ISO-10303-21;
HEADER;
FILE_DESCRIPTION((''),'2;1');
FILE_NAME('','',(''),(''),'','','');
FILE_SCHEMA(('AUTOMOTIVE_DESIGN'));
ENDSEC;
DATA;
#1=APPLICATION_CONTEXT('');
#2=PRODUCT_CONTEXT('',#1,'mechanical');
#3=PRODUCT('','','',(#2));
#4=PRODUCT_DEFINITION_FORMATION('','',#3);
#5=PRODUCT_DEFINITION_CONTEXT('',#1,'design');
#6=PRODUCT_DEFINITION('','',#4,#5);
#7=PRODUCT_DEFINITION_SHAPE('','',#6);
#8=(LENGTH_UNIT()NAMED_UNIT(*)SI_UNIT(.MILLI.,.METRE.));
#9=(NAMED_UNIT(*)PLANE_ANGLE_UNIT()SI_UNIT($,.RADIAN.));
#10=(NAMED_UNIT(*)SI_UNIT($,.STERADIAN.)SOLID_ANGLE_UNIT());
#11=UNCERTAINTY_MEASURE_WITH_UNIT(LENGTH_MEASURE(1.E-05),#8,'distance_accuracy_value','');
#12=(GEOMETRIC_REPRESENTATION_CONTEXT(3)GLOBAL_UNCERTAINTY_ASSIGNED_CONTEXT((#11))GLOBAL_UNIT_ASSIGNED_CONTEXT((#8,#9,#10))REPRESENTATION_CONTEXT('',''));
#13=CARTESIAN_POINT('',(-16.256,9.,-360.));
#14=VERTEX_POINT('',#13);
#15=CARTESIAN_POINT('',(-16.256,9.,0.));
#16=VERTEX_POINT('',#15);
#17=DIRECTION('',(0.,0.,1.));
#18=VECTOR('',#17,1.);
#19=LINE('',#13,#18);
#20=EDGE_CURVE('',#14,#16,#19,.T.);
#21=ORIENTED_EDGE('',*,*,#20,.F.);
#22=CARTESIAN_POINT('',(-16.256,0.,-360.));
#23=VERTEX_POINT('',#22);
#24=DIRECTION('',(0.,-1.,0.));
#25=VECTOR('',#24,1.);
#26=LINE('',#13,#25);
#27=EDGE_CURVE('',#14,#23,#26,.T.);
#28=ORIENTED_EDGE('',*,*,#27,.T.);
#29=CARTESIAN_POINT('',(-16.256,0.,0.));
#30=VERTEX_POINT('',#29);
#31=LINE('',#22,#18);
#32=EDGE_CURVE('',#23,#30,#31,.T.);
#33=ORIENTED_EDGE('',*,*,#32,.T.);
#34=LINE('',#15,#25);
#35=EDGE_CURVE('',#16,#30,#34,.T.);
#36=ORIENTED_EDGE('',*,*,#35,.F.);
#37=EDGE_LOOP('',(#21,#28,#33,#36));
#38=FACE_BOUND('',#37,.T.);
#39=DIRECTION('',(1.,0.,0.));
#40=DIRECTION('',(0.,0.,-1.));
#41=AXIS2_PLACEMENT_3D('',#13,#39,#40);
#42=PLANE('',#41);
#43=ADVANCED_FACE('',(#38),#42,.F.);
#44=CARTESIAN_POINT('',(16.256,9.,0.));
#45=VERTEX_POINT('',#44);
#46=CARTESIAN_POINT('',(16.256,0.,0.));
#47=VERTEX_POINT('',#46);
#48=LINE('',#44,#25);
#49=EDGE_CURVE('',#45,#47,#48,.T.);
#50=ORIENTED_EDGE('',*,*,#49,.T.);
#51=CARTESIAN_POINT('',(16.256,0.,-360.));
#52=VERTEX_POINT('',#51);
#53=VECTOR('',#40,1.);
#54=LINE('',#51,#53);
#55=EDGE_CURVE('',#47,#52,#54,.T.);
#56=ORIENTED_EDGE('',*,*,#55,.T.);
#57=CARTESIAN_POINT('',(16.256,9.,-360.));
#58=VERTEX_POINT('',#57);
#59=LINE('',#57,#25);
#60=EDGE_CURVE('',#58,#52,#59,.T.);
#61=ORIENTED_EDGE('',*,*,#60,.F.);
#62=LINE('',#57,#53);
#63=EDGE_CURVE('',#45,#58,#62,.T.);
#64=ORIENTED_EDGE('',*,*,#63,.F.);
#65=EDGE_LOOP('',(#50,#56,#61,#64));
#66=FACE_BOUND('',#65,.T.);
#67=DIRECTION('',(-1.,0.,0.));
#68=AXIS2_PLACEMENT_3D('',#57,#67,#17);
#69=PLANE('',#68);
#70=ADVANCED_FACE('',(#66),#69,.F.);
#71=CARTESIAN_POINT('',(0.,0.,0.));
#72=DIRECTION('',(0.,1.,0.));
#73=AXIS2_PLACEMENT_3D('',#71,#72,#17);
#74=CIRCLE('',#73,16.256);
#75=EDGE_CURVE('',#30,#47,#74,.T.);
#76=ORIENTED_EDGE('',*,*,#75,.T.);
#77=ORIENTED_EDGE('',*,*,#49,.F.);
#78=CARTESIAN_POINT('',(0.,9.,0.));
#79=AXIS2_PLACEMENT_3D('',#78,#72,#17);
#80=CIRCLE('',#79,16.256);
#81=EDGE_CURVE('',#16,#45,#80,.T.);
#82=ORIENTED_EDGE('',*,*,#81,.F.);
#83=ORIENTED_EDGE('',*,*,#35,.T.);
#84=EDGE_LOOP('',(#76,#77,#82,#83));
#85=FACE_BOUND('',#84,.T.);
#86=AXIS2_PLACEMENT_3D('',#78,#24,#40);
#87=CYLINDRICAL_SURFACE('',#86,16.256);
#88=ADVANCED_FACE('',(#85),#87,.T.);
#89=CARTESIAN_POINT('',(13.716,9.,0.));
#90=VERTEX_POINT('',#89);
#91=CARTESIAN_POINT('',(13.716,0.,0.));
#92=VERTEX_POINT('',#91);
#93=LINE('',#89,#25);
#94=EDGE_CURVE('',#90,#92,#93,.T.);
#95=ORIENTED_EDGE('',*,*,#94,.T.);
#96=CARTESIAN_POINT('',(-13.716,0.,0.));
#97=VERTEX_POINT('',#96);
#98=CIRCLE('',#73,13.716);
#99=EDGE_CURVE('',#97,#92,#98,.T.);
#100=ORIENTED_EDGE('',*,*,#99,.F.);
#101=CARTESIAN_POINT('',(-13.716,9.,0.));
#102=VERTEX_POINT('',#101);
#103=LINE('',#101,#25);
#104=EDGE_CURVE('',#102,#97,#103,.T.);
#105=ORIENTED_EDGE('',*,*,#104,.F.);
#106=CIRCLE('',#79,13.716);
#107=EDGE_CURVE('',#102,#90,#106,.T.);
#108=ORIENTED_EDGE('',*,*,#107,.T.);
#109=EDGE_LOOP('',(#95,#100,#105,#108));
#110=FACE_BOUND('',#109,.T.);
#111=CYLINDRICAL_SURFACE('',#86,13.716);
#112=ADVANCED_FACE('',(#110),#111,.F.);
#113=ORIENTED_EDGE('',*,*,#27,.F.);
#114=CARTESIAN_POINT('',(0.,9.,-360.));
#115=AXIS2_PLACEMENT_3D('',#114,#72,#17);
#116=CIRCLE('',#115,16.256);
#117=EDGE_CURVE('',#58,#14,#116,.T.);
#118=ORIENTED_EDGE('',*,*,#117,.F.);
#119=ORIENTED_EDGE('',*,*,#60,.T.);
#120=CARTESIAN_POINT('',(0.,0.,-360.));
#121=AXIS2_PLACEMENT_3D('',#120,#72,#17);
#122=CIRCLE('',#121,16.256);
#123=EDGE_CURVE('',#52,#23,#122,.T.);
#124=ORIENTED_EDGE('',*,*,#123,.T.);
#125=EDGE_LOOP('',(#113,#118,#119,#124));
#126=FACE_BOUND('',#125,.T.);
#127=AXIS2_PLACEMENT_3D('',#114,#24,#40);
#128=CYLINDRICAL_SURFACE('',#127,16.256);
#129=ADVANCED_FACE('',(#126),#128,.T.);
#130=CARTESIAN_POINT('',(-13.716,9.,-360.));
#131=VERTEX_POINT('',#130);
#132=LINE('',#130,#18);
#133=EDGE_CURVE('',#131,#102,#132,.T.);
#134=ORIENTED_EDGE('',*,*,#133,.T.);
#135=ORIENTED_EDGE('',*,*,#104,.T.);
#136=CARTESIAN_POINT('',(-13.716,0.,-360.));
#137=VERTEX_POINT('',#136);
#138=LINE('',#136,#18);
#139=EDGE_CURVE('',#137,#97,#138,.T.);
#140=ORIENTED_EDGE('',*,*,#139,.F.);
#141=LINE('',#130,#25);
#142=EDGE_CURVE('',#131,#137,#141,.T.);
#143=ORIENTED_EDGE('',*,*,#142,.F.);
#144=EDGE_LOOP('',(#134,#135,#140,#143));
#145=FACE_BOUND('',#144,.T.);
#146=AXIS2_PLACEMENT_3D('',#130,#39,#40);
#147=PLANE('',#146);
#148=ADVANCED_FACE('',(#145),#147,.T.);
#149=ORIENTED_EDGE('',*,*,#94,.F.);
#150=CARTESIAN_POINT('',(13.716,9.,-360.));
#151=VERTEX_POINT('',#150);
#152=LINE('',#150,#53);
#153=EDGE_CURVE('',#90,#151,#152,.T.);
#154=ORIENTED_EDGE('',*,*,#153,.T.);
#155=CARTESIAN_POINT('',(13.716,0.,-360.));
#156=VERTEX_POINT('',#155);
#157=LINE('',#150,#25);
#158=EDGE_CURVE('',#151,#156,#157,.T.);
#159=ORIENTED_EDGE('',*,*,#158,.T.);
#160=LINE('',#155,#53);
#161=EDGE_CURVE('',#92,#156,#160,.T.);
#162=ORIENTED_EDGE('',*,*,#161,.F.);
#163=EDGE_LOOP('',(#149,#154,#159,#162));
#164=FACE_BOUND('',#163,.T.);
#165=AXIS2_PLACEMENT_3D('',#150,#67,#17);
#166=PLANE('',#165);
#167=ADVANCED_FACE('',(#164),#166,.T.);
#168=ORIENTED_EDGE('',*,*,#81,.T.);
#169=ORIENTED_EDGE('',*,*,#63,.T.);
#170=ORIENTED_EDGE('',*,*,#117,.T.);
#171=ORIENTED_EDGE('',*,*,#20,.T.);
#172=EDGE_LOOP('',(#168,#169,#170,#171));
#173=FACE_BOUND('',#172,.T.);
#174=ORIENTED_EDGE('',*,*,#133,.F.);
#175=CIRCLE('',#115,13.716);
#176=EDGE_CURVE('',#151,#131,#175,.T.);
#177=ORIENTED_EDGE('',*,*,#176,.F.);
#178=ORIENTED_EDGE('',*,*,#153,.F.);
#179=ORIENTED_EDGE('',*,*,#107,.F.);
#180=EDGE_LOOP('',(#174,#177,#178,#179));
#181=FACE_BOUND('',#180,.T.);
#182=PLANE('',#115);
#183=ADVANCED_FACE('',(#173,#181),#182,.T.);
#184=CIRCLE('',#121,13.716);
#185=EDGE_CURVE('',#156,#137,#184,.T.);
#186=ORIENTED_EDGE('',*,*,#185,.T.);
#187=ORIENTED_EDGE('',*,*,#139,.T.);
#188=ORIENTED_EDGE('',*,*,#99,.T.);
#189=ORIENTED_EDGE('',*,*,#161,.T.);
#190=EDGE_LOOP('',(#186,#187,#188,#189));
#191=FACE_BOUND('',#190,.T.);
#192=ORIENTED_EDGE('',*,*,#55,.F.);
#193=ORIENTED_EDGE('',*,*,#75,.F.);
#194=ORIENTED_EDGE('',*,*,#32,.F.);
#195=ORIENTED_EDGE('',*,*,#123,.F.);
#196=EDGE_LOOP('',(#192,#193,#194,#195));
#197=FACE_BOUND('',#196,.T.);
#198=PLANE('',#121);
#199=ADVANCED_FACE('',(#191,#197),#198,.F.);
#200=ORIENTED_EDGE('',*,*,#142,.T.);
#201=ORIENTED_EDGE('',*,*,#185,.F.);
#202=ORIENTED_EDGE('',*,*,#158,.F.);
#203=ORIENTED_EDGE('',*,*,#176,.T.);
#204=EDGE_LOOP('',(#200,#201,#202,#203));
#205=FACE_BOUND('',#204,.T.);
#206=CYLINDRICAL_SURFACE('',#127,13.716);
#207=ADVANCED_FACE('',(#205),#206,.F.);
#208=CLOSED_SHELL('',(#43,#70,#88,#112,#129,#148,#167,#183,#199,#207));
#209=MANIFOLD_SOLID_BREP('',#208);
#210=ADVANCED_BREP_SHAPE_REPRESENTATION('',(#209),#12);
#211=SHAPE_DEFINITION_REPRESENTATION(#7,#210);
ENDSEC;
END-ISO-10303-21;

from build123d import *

# Parameters (mm, degrees)
BOSS_EXTRUDE1_DEPTH = 9


with BuildPart() as part:
    # Sketch1 → Boss-Extrude1 (new body)
    with BuildSketch(Plane(origin=(0, 0, 0), x_dir=(1, 0, 0), z_dir=(0, 1, 0))):
        with BuildLine():
            Line((-16.256, 360), (-16.256, 0))
            ThreePointArc((-16.256, 0), (0, -16.256), (16.256, 0))
            Line((16.256, 0), (16.256, 360))
            ThreePointArc((16.256, 360), (0, 376.256), (-16.256, 360))
        make_face()
        with BuildLine():
            Line((-13.716, 360), (-13.716, 0))
            ThreePointArc((-13.716, 0), (0, -13.716), (13.716, 0))
            Line((13.716, 0), (13.716, 360))
            ThreePointArc((13.716, 360), (0, 373.716), (-13.716, 360))
        make_face(mode=Mode.SUBTRACT)
    extrude(amount=BOSS_EXTRUDE1_DEPTH)


solid = part.part
